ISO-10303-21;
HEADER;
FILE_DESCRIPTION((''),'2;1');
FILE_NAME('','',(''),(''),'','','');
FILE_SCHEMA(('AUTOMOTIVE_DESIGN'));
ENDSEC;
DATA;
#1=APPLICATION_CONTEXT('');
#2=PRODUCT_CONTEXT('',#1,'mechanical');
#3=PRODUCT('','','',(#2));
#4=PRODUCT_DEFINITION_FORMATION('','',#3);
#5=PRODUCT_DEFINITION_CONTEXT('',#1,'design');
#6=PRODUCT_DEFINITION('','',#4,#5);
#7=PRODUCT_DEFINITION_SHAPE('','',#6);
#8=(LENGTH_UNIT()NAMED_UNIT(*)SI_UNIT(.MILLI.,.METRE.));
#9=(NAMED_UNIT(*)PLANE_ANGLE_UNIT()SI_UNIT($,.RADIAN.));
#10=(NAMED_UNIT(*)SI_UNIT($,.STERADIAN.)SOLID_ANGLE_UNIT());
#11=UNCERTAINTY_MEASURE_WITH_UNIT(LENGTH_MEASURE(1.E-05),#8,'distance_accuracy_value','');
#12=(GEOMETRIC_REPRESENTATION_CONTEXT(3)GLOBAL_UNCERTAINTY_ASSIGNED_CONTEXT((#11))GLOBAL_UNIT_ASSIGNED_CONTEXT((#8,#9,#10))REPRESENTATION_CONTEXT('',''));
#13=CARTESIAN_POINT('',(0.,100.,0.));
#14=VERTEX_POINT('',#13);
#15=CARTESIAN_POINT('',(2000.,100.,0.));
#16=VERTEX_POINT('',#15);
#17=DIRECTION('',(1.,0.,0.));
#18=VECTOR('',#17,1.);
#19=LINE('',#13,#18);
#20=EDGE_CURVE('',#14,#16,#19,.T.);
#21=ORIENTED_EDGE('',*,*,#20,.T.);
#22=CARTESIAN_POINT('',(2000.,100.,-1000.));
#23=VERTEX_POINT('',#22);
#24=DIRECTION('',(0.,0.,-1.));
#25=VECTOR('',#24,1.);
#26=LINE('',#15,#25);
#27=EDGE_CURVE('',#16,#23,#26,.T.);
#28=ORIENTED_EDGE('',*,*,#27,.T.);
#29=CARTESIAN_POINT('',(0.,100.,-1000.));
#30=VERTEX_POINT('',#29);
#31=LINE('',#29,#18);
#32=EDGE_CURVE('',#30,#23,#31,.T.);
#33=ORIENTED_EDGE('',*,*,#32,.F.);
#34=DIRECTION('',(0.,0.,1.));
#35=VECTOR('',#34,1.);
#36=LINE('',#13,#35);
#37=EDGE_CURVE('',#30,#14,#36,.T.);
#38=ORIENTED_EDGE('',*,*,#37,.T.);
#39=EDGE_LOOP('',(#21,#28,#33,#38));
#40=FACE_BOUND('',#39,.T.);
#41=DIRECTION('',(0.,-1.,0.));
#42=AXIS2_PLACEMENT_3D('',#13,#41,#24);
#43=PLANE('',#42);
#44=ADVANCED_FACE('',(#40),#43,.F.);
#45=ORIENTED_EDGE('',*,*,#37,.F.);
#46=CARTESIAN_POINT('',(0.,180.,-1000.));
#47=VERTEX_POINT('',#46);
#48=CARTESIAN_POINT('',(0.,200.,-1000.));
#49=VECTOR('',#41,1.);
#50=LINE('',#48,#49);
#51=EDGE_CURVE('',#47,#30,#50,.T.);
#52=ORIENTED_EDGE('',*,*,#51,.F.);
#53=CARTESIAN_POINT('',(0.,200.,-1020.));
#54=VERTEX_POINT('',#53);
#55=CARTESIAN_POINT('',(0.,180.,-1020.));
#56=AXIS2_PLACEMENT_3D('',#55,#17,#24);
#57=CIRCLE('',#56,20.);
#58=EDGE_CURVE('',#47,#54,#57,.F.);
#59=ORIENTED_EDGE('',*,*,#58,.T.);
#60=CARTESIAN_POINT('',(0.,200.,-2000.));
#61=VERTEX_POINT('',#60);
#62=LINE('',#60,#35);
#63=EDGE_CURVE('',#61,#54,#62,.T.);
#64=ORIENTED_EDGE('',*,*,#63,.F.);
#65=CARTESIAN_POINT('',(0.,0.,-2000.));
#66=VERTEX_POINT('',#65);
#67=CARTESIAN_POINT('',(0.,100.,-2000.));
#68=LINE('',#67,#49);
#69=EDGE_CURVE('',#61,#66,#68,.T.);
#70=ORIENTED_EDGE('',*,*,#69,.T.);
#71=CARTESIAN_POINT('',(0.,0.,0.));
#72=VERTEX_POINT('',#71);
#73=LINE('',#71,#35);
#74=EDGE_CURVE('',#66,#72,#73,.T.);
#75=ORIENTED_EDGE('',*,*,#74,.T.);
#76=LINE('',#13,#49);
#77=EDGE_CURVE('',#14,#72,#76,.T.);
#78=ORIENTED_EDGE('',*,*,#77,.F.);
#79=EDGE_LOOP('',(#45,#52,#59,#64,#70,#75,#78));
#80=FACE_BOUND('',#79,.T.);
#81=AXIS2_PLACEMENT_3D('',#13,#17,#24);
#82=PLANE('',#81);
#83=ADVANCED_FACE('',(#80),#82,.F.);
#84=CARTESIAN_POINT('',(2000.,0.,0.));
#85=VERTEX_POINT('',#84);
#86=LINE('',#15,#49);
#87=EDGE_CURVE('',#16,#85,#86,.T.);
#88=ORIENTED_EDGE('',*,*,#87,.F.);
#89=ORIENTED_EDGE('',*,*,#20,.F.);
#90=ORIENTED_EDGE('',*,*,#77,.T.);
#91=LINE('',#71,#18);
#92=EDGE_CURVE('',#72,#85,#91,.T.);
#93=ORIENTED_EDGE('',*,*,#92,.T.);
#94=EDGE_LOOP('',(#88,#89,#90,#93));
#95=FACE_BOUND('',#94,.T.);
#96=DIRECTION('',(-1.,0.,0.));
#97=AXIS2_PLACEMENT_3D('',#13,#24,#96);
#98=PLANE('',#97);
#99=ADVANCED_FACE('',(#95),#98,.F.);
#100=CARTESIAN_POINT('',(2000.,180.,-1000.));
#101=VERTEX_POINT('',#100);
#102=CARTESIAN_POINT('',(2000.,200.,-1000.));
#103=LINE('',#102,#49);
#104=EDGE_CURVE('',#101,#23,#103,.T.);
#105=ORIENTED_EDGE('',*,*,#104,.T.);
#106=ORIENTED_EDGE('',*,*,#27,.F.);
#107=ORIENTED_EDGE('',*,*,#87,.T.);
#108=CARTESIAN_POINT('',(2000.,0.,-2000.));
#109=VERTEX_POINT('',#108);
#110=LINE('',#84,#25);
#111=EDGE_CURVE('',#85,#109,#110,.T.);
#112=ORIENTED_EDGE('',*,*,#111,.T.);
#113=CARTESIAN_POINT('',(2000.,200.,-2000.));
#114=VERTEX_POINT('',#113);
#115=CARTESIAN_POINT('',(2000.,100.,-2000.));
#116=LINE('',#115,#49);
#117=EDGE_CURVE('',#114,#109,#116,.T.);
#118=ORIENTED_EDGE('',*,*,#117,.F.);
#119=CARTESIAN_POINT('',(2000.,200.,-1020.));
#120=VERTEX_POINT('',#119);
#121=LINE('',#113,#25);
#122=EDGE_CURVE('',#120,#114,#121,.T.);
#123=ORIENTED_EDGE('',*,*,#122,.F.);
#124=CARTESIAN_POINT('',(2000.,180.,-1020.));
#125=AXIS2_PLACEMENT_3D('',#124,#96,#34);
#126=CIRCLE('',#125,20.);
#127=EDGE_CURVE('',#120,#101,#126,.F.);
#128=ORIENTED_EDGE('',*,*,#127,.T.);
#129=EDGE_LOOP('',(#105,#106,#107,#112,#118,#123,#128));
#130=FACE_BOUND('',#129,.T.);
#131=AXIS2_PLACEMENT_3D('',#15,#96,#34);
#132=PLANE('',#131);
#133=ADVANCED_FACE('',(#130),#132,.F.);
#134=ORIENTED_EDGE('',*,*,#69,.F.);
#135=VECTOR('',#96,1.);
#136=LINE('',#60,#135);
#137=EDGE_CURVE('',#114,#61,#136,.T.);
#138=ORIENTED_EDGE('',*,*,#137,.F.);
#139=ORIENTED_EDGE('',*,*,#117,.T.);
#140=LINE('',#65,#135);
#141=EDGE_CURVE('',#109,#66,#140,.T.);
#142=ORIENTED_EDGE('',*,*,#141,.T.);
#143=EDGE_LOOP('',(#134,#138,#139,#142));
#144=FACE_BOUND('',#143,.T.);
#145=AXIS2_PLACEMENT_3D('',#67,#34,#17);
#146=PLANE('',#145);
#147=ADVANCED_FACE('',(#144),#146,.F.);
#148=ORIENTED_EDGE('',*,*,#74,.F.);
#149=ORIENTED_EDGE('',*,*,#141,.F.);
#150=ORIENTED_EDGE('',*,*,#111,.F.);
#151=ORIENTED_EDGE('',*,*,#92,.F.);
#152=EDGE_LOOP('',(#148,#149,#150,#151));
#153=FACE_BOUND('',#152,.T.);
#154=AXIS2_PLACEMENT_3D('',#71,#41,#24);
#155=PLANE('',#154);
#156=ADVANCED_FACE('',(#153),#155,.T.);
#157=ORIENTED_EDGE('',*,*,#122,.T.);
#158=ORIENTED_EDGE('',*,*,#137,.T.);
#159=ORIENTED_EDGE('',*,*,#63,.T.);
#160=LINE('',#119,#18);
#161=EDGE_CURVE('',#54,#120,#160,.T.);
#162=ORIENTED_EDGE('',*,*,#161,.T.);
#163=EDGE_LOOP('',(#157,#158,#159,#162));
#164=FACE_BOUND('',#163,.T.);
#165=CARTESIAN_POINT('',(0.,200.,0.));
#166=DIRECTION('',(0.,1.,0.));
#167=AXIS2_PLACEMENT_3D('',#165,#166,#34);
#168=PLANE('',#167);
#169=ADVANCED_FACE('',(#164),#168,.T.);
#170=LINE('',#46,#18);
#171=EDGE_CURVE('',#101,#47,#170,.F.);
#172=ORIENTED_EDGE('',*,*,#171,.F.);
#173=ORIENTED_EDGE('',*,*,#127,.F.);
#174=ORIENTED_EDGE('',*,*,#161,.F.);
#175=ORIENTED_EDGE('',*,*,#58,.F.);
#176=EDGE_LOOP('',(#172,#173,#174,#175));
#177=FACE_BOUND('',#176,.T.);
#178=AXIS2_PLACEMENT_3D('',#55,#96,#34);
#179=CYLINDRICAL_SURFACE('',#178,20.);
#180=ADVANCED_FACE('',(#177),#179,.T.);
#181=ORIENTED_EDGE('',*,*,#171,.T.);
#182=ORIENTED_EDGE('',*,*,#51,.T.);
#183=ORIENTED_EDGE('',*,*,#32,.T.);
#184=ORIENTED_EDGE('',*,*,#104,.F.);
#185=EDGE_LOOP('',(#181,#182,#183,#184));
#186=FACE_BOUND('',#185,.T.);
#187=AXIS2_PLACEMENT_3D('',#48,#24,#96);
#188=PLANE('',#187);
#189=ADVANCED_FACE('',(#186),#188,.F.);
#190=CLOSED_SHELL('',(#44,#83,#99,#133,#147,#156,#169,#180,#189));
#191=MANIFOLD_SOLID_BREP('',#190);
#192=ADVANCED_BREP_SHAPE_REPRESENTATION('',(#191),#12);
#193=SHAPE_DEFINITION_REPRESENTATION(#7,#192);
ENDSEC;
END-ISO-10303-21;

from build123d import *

# Parameters (mm, degrees)
SKETCH1_W           = 2000
SKETCH1_H           = 2000
BOSS_EXTRUDE1_DEPTH = 100
SKETCH2_W           = 2000
SKETCH2_H           = 1000
BOSS_EXTRUDE2_DEPTH = 100
FILLET1_R           = 20


with BuildPart() as part:
    # Sketch1 → Boss-Extrude1 (new body)
    with BuildSketch(Plane(origin=(0, 0, 0), x_dir=(1, 0, 0), z_dir=(0, 1, 0))):
        with Locations((1000, 1000)):
            Rectangle(SKETCH1_W, SKETCH1_H)
    extrude(amount=BOSS_EXTRUDE1_DEPTH)

    # Sketch2 → Boss-Extrude2 (add)
    with BuildSketch(Plane(origin=(0, 100, 0), x_dir=(1, 0, 0), z_dir=(0, 1, 0))):
        with Locations((1000, 1500)):
            Rectangle(SKETCH2_W, SKETCH2_H)
    extrude(amount=BOSS_EXTRUDE2_DEPTH)

    # Fillet1
    fillet1_edges = [part.edges().sort_by_distance(p)[0] for p in [
        (1000, 200, -1000),
    ]]
    fillet(fillet1_edges, radius=FILLET1_R)


solid = part.part
